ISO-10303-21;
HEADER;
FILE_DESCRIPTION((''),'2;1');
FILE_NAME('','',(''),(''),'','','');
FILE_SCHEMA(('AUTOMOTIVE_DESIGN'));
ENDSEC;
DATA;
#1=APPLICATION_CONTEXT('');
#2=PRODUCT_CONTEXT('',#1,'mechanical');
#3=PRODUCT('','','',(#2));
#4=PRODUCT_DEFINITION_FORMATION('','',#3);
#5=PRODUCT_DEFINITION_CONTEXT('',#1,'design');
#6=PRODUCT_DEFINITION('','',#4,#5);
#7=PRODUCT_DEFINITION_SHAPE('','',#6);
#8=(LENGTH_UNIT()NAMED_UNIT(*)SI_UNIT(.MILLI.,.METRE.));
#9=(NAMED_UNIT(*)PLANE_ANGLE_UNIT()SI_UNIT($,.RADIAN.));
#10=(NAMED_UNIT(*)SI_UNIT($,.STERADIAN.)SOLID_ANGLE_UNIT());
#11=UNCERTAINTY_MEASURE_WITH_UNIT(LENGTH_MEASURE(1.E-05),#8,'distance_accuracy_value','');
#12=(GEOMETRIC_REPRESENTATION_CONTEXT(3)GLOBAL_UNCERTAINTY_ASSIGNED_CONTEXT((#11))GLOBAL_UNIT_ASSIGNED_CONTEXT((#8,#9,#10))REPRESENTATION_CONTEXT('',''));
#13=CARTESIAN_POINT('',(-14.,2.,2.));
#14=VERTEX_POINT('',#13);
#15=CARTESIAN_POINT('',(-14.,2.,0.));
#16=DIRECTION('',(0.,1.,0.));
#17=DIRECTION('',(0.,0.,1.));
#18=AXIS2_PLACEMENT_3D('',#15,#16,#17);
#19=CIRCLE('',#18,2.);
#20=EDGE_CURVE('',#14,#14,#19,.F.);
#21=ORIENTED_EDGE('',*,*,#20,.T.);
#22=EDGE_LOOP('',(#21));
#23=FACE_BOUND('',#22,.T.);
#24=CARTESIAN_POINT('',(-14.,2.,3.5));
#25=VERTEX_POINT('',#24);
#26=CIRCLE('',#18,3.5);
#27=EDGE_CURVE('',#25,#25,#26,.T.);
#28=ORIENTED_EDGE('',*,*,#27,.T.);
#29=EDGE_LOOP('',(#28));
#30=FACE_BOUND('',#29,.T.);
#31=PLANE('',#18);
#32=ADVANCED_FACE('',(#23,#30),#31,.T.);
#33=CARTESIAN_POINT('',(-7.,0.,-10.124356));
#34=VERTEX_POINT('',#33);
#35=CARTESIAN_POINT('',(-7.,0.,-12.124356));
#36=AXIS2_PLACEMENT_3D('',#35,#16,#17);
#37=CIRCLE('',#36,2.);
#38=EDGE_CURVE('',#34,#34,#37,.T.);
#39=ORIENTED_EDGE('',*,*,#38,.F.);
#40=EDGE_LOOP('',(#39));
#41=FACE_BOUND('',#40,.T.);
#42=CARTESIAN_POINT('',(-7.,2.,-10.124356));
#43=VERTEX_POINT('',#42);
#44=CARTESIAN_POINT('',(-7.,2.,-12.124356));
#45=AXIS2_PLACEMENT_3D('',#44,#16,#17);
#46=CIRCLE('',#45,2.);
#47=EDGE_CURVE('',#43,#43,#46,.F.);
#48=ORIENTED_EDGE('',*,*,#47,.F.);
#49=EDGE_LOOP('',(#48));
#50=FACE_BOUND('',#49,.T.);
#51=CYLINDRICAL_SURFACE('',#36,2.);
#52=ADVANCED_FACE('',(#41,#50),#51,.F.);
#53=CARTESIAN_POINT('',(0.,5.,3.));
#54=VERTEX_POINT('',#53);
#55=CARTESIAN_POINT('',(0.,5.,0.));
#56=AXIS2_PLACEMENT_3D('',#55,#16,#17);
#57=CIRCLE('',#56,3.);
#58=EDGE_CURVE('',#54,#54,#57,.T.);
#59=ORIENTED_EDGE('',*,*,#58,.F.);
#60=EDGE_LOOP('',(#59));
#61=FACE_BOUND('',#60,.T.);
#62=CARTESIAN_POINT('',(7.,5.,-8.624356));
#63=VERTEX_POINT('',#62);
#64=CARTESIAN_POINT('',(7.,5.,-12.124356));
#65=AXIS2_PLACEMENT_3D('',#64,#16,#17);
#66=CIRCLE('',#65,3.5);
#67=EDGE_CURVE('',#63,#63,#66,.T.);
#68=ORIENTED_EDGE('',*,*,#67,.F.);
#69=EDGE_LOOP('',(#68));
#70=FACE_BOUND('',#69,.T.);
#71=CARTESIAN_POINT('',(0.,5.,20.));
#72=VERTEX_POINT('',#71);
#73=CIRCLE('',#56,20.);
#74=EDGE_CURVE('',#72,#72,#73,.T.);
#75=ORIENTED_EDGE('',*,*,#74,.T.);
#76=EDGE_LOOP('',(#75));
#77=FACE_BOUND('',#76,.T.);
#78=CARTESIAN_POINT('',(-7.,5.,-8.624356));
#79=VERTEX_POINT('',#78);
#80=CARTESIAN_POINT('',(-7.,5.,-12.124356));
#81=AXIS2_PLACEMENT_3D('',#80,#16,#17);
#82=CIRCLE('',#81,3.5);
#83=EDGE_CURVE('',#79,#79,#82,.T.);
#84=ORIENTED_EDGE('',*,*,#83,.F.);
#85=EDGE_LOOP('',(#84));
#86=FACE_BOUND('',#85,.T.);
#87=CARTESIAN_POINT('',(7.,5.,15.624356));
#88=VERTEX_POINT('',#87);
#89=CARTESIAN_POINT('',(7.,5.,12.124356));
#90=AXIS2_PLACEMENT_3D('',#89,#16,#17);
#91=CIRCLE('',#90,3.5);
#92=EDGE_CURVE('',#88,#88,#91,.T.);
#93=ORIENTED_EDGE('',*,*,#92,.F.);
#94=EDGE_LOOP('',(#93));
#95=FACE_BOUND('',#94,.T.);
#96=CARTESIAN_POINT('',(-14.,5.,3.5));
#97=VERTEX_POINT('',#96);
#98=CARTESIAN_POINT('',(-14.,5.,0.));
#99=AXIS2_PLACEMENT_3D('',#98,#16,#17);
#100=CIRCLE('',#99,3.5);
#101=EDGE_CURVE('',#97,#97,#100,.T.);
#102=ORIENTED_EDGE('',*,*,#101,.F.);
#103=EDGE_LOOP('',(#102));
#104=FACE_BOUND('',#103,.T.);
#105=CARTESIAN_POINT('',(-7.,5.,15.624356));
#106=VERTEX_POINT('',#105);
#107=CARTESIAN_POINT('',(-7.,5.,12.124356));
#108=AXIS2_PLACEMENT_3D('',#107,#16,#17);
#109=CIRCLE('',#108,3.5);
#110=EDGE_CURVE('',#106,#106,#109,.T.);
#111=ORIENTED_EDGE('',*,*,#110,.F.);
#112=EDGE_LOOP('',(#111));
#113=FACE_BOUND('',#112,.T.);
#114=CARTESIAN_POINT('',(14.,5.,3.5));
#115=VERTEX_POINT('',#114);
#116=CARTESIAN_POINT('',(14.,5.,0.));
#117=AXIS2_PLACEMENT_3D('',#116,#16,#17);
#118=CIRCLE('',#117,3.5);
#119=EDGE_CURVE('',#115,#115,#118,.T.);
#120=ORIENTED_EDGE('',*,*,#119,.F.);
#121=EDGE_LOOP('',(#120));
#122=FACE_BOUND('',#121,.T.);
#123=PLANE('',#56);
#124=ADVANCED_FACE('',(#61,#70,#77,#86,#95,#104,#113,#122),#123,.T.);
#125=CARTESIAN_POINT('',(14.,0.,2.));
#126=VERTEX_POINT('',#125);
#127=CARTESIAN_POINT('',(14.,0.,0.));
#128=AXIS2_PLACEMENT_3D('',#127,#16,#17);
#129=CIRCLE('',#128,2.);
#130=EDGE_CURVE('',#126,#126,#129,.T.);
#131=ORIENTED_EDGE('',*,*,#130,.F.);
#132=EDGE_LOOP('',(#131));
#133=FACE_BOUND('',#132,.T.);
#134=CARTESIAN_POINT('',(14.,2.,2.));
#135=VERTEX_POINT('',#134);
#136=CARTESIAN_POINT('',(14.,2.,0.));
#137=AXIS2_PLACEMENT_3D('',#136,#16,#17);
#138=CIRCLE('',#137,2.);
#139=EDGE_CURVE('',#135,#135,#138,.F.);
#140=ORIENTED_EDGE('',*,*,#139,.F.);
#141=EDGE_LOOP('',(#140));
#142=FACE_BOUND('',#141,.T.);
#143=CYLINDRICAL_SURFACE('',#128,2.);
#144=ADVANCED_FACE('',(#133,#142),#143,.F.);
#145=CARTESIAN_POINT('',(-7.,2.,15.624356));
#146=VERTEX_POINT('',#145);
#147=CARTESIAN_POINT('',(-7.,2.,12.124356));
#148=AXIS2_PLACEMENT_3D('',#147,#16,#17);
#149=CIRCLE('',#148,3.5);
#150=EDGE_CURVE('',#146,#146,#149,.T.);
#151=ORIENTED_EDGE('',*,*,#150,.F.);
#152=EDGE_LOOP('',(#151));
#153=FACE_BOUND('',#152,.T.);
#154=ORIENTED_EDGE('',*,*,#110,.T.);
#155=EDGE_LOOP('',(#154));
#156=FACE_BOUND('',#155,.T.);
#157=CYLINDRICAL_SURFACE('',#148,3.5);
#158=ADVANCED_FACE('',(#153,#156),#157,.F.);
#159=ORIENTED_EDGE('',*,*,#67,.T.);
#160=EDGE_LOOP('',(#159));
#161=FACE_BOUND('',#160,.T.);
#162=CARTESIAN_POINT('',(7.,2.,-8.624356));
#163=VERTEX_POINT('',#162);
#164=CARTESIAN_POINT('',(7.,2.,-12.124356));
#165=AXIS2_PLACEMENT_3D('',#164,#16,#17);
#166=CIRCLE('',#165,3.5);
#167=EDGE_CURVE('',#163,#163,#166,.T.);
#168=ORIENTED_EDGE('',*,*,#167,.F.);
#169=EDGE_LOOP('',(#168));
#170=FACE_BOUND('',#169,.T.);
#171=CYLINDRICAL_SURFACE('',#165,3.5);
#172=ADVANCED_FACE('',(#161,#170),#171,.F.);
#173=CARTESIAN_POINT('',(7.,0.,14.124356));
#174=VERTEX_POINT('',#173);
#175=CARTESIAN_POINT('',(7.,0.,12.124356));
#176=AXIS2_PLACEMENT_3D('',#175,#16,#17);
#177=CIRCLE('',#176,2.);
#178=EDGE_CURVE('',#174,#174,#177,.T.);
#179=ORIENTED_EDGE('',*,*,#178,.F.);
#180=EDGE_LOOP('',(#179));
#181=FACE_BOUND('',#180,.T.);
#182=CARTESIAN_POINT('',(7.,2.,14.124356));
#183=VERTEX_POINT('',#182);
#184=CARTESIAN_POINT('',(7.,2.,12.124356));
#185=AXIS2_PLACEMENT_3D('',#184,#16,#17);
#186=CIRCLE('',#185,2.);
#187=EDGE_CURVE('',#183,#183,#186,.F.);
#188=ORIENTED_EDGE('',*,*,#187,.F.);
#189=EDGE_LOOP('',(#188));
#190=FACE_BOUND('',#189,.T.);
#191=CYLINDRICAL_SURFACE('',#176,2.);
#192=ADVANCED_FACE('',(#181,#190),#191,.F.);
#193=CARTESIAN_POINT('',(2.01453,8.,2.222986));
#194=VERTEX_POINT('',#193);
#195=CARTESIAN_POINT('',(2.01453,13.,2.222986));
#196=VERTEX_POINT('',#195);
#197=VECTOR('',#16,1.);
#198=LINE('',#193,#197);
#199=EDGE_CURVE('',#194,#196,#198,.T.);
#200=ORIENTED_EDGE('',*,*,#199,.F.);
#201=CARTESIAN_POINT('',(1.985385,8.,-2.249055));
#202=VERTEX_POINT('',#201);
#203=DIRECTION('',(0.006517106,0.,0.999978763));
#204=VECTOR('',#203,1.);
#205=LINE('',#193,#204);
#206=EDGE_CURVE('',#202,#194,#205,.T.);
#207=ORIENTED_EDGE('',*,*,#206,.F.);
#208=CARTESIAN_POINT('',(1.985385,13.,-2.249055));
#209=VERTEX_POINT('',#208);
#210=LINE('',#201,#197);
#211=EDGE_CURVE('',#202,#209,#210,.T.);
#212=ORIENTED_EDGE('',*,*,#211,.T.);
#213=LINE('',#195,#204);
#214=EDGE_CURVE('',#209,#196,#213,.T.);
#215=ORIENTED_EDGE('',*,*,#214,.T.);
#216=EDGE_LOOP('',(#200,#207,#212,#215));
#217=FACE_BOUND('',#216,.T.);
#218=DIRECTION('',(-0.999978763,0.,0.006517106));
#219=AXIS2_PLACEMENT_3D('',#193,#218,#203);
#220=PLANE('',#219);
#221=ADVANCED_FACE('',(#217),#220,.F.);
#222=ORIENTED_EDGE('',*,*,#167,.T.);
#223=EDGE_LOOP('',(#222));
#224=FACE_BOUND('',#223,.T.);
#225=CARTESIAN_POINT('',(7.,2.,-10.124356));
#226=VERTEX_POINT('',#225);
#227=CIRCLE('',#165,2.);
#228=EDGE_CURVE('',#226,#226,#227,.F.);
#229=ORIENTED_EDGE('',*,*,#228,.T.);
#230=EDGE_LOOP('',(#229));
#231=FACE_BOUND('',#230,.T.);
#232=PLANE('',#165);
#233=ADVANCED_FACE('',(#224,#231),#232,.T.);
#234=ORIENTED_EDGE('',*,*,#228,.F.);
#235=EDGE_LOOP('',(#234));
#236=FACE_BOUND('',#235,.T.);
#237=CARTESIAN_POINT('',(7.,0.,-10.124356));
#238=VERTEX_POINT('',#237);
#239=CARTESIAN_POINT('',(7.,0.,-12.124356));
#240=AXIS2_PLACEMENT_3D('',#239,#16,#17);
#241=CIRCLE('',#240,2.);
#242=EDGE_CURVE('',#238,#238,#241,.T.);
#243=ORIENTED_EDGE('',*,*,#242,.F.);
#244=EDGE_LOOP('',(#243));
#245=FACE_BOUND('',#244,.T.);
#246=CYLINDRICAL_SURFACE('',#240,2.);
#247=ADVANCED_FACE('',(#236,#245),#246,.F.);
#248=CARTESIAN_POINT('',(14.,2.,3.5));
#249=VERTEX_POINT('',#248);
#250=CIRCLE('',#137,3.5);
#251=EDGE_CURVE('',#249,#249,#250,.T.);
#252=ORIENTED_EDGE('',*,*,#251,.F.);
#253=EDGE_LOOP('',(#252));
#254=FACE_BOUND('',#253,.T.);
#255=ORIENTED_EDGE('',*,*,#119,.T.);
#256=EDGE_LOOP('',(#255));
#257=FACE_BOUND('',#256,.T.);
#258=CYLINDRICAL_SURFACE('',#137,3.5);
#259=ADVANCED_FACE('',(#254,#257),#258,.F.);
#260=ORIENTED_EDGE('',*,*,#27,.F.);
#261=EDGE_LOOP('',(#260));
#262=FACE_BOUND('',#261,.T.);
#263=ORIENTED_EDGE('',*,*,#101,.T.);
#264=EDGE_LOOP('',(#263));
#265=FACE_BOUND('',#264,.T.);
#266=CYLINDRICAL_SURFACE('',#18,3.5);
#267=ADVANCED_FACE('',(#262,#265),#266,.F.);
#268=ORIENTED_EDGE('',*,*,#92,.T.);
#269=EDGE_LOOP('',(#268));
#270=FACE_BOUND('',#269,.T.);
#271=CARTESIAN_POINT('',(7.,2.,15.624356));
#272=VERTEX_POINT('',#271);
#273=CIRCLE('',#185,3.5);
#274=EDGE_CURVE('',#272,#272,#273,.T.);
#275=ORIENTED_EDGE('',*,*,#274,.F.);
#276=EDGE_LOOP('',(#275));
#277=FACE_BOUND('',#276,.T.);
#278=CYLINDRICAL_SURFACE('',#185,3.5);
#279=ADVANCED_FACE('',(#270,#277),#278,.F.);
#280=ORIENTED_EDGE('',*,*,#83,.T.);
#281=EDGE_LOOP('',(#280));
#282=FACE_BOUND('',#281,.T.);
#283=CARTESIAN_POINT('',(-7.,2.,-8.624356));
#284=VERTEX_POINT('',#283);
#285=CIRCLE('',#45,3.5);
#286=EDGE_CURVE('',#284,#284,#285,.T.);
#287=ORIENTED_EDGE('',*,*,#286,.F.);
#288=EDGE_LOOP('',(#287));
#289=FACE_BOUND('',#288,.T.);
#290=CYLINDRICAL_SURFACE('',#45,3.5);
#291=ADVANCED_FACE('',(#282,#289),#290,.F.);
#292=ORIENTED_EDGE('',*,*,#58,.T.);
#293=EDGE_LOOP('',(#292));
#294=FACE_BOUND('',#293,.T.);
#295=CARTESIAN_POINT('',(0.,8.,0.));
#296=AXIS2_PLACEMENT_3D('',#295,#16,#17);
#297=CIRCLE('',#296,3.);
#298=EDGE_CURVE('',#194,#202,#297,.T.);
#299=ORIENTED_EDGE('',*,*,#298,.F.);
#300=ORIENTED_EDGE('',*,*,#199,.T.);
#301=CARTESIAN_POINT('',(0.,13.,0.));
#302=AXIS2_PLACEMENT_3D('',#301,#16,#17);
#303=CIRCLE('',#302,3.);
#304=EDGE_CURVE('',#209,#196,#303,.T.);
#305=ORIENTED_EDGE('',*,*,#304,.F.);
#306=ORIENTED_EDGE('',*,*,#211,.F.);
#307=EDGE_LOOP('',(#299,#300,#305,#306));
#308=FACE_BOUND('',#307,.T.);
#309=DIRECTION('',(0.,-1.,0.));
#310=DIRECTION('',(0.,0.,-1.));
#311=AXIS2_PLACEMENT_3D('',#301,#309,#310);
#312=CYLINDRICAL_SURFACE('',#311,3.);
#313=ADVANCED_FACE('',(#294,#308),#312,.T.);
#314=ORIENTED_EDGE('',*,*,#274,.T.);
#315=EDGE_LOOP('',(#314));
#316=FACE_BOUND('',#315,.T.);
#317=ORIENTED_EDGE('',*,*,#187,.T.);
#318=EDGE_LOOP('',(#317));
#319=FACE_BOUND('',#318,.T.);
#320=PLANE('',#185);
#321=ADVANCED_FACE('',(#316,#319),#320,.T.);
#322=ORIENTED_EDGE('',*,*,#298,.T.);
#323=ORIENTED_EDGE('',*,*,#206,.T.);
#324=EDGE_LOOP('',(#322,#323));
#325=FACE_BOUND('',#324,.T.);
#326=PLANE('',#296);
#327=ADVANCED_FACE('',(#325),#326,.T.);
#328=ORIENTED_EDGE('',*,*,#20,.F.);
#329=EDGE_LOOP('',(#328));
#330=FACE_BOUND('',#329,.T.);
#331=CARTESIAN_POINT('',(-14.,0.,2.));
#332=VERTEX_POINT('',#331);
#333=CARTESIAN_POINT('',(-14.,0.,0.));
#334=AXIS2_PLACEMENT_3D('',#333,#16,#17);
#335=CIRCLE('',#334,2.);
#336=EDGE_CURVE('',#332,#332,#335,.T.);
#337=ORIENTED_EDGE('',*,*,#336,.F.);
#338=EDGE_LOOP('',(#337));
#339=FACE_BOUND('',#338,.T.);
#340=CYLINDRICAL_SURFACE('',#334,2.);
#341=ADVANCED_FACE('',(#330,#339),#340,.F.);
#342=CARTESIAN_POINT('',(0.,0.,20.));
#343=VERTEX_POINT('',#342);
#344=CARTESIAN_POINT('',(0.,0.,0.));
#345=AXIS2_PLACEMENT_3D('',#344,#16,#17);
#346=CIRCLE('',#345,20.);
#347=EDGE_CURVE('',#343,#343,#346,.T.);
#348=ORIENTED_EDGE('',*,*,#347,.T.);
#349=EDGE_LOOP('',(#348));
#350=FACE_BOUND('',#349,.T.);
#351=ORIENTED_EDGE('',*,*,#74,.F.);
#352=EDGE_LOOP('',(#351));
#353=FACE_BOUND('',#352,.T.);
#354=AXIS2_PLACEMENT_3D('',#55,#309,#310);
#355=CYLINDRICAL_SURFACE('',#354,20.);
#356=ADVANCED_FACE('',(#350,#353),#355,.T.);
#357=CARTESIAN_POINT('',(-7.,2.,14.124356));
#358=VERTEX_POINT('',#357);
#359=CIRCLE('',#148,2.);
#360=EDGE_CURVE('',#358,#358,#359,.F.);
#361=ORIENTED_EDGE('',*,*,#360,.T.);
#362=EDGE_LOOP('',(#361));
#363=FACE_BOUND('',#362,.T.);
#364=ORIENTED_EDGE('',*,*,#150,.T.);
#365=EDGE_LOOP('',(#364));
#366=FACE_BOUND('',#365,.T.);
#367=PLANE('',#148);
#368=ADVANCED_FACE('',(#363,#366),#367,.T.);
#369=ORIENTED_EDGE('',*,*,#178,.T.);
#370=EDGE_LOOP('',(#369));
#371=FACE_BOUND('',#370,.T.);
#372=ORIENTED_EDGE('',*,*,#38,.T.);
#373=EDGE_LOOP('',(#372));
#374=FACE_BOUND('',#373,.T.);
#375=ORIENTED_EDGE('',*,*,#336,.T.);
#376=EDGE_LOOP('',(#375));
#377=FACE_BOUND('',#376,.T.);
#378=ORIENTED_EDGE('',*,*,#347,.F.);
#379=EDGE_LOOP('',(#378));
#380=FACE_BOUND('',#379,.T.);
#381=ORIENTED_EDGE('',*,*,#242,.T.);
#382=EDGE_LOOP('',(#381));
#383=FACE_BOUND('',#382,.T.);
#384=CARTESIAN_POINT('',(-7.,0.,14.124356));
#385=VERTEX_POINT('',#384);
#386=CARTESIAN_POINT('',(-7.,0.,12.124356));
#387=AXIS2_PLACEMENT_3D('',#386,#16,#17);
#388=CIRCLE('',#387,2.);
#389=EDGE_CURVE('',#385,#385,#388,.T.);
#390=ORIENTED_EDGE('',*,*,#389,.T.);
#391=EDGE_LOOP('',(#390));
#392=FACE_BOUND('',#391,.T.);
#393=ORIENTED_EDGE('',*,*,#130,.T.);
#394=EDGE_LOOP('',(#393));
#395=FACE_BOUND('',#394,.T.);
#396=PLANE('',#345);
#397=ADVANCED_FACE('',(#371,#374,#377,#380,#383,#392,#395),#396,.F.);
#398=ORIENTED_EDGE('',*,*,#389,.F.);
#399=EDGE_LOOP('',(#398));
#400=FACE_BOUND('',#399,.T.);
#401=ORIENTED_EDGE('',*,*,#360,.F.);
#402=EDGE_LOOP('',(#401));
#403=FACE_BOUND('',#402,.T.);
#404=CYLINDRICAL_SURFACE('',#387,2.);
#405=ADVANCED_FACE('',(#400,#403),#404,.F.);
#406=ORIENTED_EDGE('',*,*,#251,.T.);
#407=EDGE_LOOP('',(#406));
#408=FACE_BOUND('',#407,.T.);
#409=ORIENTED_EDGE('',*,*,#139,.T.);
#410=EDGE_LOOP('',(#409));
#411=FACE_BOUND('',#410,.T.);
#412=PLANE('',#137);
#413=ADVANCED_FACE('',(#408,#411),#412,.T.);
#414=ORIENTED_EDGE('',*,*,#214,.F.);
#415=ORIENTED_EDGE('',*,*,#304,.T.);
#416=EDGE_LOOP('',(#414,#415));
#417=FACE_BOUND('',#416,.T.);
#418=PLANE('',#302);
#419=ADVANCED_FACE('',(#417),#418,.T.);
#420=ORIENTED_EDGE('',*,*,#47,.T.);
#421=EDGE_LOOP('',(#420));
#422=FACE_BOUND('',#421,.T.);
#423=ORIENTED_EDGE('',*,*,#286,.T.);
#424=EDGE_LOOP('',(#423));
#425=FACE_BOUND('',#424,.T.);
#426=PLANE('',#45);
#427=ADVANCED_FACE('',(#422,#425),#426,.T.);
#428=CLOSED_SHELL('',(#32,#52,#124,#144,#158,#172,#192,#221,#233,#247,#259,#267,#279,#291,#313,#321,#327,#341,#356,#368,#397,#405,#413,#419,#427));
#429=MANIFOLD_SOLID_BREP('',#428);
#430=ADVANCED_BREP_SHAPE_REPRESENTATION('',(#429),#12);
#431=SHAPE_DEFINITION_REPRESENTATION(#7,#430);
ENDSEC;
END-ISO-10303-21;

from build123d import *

# Parameters (mm, degrees)
SKETCH_1_R          = 20
EXTRUDE_1_DEPTH     = 5
SKETCH_2_R          = 2
CUT_EXTRUDE_1_DEPTH = 29.722813233
SKETCH_3_R          = 3.5
CUT_EXTRUDE_2_DEPTH = 3
SKETCH_4_R          = 3
EXTRUDE_2_DEPTH     = 8
CUT_EXTRUDE_START   = -5
CUT_EXTRUDE_3_DEPTH = 5


with BuildPart() as part:
    # 草图1 → 凸台-拉伸1 (new body)
    with BuildSketch(Plane(origin=(0, 0, 0), x_dir=(1, 0, 0), z_dir=(0, 1, 0))):
        with Locations(Location((0, 0, 0), (0, 0, 270))):
            Circle(SKETCH_1_R)
    extrude(amount=EXTRUDE_1_DEPTH)

    # 草图2 → 切除-拉伸1 (cut, through all)
    with BuildSketch(Plane(origin=(0, 5, 0), x_dir=(1, 0, 0), z_dir=(0, 1, 0))):
        with Locations(Location((14, 0, 0), (0, 0, 270))):
            Circle(SKETCH_2_R)
        with Locations(Location((7, -12.124355653, 0), (0, 0, 270))):
            Circle(SKETCH_2_R)
        with Locations(Location((-7, -12.124355653, 0), (0, 0, 270))):
            Circle(SKETCH_2_R)
        with Locations(Location((-14, 0, 0), (0, 0, 270))):
            Circle(SKETCH_2_R)
        with Locations(Location((-7, 12.124355653, 0), (0, 0, 270))):
            Circle(SKETCH_2_R)
        with Locations(Location((7, 12.124355653, 0), (0, 0, 270))):
            Circle(SKETCH_2_R)
    extrude(amount=-CUT_EXTRUDE_1_DEPTH, mode=Mode.SUBTRACT)

    # 草图3 → 切除-拉伸2 (cut)
    with BuildSketch(Plane(origin=(0, 5, 0), x_dir=(1, 0, 0), z_dir=(0, 1, 0))):
        with Locations(Location((14, 0, 0), (0, 0, 270))):
            Circle(SKETCH_3_R)
        with Locations(Location((7, -12.124355653, 0), (0, 0, 270))):
            Circle(SKETCH_3_R)
        with Locations(Location((-7, -12.124355653, 0), (0, 0, 270))):
            Circle(SKETCH_3_R)
        with Locations(Location((-14, 0, 0), (0, 0, 270))):
            Circle(SKETCH_3_R)
        with Locations(Location((-7, 12.124355653, 0), (0, 0, 270))):
            Circle(SKETCH_3_R)
        with Locations(Location((7, 12.124355653, 0), (0, 0, 270))):
            Circle(SKETCH_3_R)
    extrude(amount=-CUT_EXTRUDE_2_DEPTH, mode=Mode.SUBTRACT)

    # 草图4 → 凸台-拉伸2 (add)
    with BuildSketch(Plane(origin=(0, 5, 0), x_dir=(1, 0, 0), z_dir=(0, 1, 0))):
        with Locations(Location((0, 0, 0), (0, 0, 270))):
            Circle(SKETCH_4_R)
    extrude(amount=EXTRUDE_2_DEPTH)

    # 草图5 → 切除-拉伸3 (cut)
    with BuildSketch(Plane(origin=(0, 13, 0), x_dir=(1, 0, 0), z_dir=(0, 1, 0)).offset(CUT_EXTRUDE_START)):
        with BuildLine():
            Line((2.014530219, -2.222986279), (1.985384834, 2.249054704))
            ThreePointArc((1.985384834, 2.249054704), (2.99993629, 0.019551319), (2.014530219, -2.222986279))
        make_face()
    extrude(amount=CUT_EXTRUDE_3_DEPTH, mode=Mode.SUBTRACT)


solid = part.part
